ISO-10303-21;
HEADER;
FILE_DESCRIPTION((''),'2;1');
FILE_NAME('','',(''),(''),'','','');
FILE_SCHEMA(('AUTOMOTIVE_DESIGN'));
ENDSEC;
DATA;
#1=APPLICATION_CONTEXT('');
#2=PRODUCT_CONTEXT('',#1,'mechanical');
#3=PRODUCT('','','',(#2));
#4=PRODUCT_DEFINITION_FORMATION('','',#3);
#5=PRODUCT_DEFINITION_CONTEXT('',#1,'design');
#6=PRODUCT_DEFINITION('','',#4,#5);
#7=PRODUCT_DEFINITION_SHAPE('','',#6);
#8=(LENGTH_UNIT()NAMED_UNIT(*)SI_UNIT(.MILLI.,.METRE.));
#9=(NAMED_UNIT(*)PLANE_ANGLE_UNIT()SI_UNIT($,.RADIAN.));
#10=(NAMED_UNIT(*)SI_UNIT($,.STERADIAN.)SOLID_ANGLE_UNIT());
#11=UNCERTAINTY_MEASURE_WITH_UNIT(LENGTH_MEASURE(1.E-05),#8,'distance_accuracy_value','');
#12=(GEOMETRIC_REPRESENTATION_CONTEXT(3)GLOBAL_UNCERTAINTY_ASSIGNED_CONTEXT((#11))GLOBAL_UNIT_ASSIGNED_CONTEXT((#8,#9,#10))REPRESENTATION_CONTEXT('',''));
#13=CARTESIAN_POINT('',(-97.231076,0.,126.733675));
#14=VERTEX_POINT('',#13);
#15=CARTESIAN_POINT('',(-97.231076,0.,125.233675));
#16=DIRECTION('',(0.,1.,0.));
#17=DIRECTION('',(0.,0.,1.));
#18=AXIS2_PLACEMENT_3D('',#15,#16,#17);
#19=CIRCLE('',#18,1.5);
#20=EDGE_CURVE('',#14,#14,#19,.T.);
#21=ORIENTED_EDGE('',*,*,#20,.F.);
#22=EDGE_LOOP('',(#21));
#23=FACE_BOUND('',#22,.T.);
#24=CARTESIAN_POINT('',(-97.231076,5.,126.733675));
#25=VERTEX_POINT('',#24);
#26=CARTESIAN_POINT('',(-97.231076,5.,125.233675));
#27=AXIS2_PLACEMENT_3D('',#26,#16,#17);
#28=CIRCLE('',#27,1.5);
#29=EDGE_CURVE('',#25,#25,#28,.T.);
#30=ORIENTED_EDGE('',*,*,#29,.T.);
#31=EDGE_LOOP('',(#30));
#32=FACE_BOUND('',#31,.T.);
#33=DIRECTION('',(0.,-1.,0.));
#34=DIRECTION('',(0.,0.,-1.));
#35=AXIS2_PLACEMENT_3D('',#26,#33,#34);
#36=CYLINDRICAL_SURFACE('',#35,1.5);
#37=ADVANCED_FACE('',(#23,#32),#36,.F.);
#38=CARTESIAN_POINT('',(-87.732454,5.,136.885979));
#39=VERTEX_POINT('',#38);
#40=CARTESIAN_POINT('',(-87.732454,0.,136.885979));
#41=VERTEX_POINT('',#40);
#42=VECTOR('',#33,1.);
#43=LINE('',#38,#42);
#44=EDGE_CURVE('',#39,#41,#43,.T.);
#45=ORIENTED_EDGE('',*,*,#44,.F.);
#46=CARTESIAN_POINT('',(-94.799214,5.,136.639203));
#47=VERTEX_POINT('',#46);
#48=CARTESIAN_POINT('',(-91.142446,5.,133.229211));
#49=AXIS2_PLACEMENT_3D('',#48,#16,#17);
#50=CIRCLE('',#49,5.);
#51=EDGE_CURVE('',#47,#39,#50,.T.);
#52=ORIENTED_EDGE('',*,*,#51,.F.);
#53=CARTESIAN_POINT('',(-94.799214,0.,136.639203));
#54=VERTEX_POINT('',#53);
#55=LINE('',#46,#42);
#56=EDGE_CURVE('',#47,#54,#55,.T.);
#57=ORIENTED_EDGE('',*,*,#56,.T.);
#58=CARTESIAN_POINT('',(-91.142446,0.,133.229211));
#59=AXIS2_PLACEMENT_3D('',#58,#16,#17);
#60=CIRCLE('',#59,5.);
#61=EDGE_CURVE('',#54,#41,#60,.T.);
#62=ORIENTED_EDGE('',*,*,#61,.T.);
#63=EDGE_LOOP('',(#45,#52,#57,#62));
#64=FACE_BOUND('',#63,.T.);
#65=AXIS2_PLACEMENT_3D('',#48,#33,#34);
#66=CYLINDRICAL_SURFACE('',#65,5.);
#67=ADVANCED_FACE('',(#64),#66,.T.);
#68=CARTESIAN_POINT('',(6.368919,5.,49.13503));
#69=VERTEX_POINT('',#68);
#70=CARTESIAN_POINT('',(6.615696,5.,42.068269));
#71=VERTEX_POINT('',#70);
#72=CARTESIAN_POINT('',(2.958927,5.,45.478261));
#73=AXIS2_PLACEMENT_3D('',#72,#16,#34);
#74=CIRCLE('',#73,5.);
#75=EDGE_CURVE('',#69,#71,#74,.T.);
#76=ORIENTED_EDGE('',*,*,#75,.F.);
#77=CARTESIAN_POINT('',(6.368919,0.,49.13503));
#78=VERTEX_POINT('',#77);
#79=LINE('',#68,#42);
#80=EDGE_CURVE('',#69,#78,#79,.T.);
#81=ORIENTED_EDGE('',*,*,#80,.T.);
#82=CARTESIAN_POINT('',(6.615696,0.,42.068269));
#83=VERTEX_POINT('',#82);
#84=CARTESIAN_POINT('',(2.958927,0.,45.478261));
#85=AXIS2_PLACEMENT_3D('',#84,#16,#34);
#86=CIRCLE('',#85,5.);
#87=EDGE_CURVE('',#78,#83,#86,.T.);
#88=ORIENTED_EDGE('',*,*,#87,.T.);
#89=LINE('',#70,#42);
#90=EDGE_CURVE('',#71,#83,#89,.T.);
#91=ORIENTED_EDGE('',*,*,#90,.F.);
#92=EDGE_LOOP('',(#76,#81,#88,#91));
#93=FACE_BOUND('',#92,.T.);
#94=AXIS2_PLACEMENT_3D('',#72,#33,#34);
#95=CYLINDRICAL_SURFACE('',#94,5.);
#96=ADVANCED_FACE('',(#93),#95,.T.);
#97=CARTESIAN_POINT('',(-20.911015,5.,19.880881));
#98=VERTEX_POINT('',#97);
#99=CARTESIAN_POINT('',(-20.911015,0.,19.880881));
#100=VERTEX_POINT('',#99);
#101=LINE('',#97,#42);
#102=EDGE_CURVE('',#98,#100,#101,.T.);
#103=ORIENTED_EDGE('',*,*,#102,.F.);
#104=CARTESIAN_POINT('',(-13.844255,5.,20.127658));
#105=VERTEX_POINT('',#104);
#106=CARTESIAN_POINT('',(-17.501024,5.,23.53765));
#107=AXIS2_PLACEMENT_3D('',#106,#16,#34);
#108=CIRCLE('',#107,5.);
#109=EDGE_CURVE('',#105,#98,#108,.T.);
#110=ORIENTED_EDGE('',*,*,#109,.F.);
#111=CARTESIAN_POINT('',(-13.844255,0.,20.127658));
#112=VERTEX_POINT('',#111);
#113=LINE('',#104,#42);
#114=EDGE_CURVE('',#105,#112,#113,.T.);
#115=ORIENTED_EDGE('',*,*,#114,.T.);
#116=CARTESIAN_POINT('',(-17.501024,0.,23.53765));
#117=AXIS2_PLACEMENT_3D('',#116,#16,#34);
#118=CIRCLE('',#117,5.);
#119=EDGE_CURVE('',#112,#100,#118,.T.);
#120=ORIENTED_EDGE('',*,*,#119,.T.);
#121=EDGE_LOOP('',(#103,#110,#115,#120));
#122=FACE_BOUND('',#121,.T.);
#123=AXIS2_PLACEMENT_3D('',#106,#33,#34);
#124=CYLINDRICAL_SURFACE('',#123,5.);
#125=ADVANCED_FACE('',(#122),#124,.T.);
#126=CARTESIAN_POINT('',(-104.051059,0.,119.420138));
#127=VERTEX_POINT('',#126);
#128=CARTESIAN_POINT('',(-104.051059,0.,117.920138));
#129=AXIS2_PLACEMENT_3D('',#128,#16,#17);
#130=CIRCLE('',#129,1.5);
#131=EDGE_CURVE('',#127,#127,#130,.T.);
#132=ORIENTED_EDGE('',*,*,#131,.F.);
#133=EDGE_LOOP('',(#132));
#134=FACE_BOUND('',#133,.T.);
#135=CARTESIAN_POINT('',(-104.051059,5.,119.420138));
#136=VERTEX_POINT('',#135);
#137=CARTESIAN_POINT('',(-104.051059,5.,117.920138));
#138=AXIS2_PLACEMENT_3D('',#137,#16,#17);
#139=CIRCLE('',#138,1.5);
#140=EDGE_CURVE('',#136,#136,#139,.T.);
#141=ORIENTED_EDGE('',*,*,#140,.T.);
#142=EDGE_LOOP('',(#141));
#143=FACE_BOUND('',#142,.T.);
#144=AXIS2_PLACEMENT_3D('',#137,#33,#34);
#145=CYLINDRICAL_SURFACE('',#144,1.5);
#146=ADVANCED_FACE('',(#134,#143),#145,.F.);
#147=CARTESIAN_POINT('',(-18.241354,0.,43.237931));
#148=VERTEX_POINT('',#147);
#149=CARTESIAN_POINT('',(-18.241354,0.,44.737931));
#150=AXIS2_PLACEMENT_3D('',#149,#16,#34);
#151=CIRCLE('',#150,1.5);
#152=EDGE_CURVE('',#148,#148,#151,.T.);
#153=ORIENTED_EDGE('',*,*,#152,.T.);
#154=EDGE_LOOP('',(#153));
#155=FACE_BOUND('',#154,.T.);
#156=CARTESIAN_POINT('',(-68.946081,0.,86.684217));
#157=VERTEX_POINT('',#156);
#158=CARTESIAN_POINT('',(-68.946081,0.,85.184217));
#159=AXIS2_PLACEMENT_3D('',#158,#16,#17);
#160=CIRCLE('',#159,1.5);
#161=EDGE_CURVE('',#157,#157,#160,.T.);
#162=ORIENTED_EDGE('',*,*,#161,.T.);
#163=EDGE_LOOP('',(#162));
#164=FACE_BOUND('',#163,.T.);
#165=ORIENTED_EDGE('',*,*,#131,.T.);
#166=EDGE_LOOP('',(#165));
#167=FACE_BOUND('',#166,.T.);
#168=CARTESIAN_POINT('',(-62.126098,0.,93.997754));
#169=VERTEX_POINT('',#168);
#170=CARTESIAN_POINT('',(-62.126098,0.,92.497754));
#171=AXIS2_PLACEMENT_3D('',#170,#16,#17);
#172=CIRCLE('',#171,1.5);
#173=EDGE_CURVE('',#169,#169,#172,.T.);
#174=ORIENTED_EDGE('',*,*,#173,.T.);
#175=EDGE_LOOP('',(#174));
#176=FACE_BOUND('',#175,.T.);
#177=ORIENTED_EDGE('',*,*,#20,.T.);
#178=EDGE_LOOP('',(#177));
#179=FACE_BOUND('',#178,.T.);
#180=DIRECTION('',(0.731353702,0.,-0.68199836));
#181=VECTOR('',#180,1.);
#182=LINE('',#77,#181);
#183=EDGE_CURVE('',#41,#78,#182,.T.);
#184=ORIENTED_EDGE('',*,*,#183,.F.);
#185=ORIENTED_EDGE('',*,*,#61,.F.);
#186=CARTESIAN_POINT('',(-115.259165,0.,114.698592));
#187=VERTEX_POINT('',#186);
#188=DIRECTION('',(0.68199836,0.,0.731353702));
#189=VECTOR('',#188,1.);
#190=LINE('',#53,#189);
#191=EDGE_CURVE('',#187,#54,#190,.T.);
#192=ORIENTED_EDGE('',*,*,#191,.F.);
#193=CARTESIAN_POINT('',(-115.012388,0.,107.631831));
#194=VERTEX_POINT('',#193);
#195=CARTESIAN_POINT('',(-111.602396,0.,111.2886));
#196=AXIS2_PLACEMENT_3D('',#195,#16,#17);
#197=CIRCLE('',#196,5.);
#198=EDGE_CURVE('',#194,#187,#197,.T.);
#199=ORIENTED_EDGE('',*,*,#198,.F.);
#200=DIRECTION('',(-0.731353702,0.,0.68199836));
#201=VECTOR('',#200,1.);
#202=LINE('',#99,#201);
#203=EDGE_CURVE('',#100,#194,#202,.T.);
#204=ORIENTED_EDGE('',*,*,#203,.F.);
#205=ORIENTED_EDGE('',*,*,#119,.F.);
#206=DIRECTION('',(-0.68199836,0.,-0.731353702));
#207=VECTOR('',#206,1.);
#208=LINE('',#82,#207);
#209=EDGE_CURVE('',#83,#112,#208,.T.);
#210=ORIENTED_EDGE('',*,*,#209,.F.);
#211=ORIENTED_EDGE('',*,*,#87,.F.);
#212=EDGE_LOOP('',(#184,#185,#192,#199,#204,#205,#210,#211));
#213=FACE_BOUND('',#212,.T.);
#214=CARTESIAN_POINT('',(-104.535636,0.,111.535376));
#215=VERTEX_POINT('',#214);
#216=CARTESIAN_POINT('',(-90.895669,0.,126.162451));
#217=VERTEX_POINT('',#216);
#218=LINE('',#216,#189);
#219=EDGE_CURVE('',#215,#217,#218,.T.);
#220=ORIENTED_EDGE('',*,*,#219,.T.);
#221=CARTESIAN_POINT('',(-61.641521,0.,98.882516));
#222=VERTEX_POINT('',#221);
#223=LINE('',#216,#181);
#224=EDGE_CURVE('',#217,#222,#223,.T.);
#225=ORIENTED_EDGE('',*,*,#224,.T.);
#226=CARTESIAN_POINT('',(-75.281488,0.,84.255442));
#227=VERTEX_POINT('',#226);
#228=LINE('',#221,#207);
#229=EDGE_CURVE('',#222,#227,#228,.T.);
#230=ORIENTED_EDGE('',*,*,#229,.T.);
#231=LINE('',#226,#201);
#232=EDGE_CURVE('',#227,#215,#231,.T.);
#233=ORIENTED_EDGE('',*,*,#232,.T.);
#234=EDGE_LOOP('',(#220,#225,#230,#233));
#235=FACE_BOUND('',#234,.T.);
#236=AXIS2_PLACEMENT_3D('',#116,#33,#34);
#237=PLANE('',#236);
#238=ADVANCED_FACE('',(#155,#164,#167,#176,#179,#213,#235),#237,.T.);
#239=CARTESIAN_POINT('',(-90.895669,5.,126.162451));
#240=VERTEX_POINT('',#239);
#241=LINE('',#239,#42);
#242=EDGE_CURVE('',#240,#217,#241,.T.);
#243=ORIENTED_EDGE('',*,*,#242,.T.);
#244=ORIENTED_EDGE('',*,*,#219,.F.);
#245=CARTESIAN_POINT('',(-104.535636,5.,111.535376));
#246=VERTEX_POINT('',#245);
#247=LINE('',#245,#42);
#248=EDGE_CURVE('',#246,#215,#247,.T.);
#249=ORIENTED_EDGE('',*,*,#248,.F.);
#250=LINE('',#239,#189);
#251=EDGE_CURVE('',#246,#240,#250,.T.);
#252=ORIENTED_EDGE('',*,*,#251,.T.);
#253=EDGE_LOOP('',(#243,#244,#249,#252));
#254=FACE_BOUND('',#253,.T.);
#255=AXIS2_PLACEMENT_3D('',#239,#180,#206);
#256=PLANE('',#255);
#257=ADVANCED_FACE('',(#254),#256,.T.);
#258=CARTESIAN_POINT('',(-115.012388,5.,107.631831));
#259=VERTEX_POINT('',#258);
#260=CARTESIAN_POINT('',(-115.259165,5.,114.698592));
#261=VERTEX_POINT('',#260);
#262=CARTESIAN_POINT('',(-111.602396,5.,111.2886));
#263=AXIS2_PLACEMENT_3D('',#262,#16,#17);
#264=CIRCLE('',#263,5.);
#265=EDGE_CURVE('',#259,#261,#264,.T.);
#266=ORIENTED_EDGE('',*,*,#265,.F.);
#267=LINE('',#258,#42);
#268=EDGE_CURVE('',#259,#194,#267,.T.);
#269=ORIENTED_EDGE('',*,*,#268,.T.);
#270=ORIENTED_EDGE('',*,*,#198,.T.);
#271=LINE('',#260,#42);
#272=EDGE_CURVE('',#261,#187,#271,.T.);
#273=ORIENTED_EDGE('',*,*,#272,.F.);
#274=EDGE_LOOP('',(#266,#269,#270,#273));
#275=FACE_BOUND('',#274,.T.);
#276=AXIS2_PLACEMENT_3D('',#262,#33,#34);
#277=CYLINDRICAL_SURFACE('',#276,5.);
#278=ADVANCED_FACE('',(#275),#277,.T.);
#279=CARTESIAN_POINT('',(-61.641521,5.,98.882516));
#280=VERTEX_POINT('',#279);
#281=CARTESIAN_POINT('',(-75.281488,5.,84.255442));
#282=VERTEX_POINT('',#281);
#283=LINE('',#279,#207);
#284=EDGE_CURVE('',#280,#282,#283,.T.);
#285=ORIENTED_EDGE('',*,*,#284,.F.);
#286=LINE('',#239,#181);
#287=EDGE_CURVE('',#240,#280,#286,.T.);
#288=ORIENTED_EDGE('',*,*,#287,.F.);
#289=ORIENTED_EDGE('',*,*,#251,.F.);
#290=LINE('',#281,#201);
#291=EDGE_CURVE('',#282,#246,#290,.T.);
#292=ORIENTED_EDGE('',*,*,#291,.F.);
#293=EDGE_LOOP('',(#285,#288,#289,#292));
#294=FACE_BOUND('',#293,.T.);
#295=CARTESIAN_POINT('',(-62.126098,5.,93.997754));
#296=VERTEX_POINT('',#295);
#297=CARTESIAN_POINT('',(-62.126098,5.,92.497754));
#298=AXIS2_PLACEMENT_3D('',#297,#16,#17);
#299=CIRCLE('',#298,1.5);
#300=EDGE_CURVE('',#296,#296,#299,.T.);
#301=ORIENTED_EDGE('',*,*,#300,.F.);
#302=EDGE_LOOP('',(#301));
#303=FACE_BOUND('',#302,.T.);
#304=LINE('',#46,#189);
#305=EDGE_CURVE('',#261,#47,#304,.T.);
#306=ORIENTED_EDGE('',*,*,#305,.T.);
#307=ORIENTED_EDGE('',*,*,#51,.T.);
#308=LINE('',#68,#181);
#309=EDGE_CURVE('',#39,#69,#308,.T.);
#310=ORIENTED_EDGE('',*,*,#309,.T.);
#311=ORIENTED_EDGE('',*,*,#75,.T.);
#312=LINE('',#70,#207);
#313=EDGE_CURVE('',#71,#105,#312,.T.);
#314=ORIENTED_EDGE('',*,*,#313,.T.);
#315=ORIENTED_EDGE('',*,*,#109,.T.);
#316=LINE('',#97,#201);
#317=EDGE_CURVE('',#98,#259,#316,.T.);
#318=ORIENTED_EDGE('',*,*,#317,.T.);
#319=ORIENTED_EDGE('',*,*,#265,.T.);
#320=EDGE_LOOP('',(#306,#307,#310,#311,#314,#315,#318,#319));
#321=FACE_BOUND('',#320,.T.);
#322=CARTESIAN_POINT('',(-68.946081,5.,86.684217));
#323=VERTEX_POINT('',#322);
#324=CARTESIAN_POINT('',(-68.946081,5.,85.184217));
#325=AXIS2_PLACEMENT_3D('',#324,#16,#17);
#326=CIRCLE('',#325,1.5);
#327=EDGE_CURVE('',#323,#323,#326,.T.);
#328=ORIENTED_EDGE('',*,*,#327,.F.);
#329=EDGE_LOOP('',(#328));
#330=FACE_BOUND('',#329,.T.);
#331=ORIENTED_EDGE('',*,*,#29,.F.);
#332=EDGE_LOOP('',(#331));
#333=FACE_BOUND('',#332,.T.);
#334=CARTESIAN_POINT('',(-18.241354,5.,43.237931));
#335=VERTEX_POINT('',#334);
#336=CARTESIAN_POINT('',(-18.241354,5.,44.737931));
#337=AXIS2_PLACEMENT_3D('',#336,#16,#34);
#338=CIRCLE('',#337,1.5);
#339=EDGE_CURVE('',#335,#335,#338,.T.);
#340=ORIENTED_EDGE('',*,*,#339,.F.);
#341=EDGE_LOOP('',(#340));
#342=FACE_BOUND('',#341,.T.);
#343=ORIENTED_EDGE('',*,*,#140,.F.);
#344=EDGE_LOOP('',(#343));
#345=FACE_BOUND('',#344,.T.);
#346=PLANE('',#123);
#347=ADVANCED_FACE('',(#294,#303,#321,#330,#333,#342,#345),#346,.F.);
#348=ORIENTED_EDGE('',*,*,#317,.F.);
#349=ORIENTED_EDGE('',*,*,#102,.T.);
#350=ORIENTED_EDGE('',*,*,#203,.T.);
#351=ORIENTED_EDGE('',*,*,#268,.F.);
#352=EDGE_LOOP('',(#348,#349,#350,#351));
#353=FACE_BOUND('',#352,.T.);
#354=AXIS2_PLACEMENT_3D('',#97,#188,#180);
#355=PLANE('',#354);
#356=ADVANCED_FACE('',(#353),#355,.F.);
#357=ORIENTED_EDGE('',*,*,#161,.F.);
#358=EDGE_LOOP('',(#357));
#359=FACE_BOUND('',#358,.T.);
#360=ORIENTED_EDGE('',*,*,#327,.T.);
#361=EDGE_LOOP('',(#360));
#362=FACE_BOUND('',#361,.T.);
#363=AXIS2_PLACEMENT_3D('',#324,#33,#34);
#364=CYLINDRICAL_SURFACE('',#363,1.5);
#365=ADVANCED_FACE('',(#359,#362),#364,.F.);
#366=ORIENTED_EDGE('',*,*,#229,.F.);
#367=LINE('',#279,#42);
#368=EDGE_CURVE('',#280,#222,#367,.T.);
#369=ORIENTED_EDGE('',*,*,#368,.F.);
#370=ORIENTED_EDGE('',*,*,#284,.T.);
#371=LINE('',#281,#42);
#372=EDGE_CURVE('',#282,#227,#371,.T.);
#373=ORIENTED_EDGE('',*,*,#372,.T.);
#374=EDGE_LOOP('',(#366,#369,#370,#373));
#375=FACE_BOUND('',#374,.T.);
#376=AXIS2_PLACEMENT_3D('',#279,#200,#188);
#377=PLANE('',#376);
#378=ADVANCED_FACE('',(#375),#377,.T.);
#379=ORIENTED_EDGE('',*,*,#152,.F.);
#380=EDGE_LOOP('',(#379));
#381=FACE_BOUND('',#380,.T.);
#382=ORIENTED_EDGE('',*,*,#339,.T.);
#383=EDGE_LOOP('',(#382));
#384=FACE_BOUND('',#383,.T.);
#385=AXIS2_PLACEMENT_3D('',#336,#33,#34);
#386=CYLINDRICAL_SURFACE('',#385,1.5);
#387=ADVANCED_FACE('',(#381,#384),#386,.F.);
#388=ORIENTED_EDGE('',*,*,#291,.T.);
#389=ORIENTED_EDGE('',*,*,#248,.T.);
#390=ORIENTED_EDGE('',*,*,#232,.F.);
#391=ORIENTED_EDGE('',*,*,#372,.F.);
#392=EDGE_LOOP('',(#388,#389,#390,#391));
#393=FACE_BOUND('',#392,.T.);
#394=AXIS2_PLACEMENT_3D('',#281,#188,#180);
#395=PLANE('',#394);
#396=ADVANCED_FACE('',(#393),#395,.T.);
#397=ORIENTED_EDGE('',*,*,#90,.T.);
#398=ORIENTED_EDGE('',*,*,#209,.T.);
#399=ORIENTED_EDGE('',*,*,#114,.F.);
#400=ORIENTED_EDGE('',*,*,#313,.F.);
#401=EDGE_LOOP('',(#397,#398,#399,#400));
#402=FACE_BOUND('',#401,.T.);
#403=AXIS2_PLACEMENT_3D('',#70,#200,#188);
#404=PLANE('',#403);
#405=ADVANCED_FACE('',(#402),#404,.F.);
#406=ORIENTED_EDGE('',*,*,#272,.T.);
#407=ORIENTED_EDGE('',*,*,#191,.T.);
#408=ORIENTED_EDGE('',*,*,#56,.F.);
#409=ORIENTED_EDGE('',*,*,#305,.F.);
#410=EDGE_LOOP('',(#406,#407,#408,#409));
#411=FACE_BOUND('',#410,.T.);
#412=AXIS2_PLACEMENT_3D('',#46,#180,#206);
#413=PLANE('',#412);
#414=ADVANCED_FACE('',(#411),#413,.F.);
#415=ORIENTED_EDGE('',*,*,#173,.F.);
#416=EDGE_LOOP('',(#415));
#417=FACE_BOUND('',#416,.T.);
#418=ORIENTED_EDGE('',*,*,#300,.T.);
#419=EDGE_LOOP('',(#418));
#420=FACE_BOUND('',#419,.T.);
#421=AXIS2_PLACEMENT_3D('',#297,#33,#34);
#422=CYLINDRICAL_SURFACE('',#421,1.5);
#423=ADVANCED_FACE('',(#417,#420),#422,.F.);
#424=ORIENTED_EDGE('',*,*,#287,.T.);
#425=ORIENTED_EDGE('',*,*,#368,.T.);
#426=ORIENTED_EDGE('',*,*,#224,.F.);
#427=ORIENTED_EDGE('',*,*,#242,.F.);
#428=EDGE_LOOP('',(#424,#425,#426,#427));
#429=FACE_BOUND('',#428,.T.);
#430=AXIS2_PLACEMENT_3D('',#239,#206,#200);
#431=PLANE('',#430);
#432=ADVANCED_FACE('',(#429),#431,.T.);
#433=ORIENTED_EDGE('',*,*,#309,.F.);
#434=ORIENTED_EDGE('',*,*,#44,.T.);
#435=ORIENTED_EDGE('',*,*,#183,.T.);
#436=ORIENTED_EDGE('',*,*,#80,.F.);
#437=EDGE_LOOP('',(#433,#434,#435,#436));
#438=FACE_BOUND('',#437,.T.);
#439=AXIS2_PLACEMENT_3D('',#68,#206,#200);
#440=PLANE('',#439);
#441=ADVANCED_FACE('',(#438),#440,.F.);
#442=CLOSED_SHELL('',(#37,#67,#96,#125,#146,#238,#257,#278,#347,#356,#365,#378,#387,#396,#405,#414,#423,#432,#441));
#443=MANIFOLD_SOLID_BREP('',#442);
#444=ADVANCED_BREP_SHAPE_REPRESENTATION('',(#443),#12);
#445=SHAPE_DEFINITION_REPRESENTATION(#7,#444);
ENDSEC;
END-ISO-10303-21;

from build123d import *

# Parameters (mm, degrees)
SKETCH_1_R      = 1.5
EXTRUDE_1_DEPTH = 5


with BuildPart() as part:
    # 草图1 → 凸台-拉伸1 (new body)
    with BuildSketch(Plane(origin=(0, 0, 0), x_dir=(1, 0, 0), z_dir=(0, 1, 0))):
        with BuildLine():
            Line((-20.911015375, -19.880881436), (-115.012388245, -107.631831263))
            ThreePointArc((-115.012388245, -107.631831263), (-116.599350579, -111.114102288), (-115.259164952, -114.698591572))
            Line((-115.259164952, -114.698591572), (-94.79921415, -136.63920262))
            ThreePointArc((-94.79921415, -136.63920262), (-91.316943126, -138.226164955), (-87.732453842, -136.885979328))
            Line((-87.732453842, -136.885979328), (6.368919028, -49.135029501))
            ThreePointArc((6.368919028, -49.135029501), (7.955881363, -45.652758476), (6.615695736, -42.068269192))
            Line((6.615695736, -42.068269192), (-13.844255066, -20.127658144))
            ThreePointArc((-13.844255066, -20.127658144), (-17.326526091, -18.540695809), (-20.911015375, -19.880881436))
        make_face()
        with Locations(Location((-97.231075541, -125.233675444, 0), (0, 0, 270))):
            Circle(SKETCH_1_R, mode=Mode.SUBTRACT)
        with Locations(Location((-104.051059142, -117.920138427, 0), (0, 0, 270))):
            Circle(SKETCH_1_R, mode=Mode.SUBTRACT)
        with Locations(Location((-62.126097864, -92.497754161, 0), (0, 0, 270))):
            Circle(SKETCH_1_R, mode=Mode.SUBTRACT)
        with Locations(Location((-68.946081464, -85.184217144, 0), (0, 0, 270))):
            Circle(SKETCH_1_R, mode=Mode.SUBTRACT)
        with Locations(Location((-18.241353698, -44.737930869, 0), (0, 0, 90))):
            Circle(SKETCH_1_R, mode=Mode.SUBTRACT)
        Polygon((-90.895668935, -126.162450512), (-61.64152087, -98.882516109), (-75.281488071, -84.255442077), (-104.535636136, -111.535376479), align=None, mode=Mode.SUBTRACT)
    extrude(amount=EXTRUDE_1_DEPTH)


solid = part.part
